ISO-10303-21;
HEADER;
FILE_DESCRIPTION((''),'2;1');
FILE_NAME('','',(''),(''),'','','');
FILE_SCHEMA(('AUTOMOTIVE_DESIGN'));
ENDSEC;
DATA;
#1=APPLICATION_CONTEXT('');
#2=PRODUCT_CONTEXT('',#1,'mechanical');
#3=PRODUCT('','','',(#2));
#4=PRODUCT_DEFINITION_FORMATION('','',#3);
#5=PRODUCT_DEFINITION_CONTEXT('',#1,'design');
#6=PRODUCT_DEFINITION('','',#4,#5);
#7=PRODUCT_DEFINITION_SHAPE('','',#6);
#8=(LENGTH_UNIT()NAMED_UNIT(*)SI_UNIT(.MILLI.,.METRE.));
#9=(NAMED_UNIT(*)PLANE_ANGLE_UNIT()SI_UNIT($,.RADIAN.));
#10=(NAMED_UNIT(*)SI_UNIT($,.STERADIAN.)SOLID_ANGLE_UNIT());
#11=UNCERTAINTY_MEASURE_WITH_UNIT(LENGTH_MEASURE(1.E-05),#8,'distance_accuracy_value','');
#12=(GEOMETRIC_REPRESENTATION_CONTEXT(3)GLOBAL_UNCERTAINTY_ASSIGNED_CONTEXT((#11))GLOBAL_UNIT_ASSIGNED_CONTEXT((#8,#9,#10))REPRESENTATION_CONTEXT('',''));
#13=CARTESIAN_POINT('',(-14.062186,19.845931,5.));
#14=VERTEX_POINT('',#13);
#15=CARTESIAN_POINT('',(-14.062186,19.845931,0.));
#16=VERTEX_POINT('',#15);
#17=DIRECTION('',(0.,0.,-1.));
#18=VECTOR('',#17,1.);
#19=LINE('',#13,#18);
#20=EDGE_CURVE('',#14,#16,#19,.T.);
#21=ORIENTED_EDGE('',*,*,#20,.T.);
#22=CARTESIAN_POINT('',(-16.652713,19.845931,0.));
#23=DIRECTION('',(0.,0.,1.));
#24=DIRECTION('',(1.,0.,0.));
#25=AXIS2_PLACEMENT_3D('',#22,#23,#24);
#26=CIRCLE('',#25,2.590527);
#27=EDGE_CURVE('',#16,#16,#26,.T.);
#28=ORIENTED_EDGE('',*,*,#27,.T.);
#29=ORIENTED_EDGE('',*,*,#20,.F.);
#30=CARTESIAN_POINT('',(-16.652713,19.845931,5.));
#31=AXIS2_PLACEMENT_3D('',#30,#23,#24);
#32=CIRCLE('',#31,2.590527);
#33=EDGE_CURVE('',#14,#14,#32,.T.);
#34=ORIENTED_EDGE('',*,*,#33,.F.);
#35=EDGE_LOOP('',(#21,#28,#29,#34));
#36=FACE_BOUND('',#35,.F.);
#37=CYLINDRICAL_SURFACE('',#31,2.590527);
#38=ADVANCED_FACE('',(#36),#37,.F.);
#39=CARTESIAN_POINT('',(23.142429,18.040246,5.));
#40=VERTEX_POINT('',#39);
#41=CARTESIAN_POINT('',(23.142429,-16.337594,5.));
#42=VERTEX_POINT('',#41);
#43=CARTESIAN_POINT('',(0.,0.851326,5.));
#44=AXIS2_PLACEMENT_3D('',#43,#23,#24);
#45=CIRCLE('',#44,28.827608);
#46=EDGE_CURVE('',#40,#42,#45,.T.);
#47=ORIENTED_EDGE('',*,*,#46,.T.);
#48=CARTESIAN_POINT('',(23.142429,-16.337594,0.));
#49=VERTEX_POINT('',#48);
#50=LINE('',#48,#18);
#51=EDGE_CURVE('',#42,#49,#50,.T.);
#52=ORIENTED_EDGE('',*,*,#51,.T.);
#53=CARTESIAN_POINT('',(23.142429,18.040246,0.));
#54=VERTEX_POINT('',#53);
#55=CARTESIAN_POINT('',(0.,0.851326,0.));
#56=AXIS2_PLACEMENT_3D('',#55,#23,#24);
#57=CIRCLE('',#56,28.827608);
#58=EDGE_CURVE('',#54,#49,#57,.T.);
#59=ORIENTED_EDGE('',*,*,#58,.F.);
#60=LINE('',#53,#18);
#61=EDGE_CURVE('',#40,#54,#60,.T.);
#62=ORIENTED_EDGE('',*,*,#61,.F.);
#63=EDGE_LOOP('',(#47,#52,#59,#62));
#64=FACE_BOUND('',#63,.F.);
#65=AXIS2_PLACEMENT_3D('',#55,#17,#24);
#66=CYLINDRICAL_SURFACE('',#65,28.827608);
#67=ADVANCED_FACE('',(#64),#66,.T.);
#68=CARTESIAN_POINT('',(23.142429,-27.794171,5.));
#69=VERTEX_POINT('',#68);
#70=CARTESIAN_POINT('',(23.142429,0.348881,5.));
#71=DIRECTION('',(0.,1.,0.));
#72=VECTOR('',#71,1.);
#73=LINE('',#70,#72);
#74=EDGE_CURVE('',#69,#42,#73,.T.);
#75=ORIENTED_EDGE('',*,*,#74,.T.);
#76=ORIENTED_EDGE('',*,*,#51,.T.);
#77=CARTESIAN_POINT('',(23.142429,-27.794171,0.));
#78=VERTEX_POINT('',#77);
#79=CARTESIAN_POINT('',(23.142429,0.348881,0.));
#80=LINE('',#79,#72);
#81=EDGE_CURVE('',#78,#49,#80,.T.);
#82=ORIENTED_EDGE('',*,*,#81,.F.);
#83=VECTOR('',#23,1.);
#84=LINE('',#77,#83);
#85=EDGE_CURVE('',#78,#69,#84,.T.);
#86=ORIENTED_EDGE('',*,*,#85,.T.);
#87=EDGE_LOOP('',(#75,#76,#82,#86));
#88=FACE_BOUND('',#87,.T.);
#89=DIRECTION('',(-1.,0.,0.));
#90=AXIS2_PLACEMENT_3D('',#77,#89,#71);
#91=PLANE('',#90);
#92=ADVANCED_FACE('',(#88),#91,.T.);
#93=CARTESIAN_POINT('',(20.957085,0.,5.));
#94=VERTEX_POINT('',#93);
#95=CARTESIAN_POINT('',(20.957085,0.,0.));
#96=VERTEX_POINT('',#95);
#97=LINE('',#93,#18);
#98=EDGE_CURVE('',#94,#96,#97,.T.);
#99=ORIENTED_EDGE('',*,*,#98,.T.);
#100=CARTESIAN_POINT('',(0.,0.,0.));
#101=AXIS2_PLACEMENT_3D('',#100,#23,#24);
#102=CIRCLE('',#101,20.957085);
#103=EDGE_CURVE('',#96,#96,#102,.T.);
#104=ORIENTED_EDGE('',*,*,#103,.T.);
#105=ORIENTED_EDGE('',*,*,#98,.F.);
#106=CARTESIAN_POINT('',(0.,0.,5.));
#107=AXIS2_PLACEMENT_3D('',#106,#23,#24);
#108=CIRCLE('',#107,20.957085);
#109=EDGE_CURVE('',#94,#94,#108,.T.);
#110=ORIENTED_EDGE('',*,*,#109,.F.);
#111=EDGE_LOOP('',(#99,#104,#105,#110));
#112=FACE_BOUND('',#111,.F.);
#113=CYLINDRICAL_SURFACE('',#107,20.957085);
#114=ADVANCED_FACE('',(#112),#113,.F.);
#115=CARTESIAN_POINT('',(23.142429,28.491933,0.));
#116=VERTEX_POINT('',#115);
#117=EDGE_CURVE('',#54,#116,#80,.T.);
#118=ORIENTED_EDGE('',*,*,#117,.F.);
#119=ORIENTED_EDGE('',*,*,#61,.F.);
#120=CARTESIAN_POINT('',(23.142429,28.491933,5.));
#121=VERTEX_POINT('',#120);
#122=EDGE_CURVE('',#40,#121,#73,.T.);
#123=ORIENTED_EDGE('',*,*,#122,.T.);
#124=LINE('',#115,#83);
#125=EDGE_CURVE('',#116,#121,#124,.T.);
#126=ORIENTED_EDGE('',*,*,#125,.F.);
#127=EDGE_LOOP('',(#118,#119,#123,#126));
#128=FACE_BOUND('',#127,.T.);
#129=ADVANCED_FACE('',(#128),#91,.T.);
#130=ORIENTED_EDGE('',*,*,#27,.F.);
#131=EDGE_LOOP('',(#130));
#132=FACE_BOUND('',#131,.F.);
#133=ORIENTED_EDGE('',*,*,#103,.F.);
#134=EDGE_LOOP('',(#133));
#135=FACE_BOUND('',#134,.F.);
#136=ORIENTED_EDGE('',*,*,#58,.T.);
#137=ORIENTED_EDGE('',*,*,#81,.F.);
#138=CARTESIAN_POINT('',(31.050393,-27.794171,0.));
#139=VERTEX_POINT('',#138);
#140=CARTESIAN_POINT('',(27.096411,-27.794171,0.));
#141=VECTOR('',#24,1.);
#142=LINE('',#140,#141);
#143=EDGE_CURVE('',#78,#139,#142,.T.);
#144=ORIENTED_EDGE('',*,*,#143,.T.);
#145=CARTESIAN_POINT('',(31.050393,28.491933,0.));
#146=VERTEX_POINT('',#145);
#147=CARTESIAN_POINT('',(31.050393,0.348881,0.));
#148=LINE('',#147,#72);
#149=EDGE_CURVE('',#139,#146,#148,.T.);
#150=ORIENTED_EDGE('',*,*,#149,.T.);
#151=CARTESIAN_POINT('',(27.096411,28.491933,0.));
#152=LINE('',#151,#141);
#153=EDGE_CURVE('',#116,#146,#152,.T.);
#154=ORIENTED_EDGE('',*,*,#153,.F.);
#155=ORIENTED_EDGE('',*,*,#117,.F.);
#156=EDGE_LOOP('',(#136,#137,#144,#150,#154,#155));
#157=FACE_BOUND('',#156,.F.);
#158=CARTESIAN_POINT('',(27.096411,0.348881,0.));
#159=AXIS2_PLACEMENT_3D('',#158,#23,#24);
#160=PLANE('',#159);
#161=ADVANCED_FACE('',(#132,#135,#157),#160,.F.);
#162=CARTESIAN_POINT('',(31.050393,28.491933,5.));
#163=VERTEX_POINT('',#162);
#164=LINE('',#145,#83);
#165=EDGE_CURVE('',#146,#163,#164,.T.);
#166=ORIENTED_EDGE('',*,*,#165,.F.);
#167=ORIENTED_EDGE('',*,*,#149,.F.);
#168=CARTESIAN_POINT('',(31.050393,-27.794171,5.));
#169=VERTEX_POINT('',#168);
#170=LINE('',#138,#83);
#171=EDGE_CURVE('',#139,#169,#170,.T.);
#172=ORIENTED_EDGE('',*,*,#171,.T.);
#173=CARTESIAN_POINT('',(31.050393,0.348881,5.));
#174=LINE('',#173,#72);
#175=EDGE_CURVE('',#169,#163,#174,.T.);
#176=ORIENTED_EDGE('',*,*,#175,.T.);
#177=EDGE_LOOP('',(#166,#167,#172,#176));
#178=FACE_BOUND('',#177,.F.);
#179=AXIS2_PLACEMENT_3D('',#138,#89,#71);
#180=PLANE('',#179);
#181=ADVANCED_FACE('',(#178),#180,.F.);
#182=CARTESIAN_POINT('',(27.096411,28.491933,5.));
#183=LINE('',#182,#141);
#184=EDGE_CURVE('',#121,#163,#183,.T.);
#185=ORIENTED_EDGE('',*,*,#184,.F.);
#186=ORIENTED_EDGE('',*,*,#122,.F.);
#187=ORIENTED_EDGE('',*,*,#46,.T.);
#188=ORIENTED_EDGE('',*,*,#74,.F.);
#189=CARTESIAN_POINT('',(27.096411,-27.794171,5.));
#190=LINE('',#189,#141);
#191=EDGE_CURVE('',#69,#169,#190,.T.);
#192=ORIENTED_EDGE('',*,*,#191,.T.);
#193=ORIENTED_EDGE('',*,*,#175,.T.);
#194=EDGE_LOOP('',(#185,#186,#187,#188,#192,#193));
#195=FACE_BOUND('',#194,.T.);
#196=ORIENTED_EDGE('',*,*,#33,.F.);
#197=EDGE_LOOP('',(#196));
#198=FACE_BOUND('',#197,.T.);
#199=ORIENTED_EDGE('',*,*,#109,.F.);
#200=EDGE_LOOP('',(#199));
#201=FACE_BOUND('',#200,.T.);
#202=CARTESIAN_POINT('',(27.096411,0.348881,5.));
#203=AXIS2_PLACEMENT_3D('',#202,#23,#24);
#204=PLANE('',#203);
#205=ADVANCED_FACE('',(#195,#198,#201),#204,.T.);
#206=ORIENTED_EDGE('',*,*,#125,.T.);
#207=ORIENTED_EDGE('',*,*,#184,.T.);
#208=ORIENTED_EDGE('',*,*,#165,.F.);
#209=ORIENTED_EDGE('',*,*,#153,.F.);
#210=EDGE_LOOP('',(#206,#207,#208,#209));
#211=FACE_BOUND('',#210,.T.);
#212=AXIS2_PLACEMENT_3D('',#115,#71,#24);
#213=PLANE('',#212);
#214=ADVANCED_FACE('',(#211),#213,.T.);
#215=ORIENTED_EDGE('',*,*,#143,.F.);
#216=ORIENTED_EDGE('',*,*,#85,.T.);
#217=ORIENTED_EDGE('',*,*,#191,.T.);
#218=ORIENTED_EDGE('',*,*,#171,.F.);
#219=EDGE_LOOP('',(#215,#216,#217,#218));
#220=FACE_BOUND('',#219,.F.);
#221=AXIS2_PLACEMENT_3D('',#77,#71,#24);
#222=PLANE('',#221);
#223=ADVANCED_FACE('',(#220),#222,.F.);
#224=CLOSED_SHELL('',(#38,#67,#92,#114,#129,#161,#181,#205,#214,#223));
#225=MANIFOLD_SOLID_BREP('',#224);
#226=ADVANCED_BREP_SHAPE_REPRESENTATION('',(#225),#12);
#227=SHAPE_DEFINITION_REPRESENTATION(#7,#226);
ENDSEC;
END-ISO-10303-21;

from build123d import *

# Parameters (mm, degrees)
F0_R     = 28.827608
F1_DEPTH = 5
F2_R     = 20.957085
F3_DEPTH = 5
F4_W     = 7.907964
F4_H     = 56.286104
F5_DEPTH = 5
F6_R     = 2.590527
F7_DEPTH = 5


with BuildPart() as f1:
    # F0 (on Top) → F1 (new body)
    with BuildSketch(Plane.XY):
        with Locations((0, 0.851326)):
            Circle(F0_R)
    extrude(amount=F1_DEPTH)

    # F2 (on face) → F3 (cut)
    with BuildSketch(Plane.XY.offset(5)):
        Circle(F2_R)
    extrude(amount=-F3_DEPTH, mode=Mode.SUBTRACT)

    # F4 (on Top) → F5 (join)
    with BuildSketch(Plane.XY):
        with Locations((27.096411, 0.348881)):
            Rectangle(F4_W, F4_H)
    extrude(amount=F5_DEPTH)

    # F6 (on face) → F7 (cut)
    with BuildSketch(Plane.XY.offset(5)):
        with Locations((-16.652713, 19.845931)):
            Circle(F6_R)
    extrude(amount=-F7_DEPTH, mode=Mode.SUBTRACT)


solid = f1.part
